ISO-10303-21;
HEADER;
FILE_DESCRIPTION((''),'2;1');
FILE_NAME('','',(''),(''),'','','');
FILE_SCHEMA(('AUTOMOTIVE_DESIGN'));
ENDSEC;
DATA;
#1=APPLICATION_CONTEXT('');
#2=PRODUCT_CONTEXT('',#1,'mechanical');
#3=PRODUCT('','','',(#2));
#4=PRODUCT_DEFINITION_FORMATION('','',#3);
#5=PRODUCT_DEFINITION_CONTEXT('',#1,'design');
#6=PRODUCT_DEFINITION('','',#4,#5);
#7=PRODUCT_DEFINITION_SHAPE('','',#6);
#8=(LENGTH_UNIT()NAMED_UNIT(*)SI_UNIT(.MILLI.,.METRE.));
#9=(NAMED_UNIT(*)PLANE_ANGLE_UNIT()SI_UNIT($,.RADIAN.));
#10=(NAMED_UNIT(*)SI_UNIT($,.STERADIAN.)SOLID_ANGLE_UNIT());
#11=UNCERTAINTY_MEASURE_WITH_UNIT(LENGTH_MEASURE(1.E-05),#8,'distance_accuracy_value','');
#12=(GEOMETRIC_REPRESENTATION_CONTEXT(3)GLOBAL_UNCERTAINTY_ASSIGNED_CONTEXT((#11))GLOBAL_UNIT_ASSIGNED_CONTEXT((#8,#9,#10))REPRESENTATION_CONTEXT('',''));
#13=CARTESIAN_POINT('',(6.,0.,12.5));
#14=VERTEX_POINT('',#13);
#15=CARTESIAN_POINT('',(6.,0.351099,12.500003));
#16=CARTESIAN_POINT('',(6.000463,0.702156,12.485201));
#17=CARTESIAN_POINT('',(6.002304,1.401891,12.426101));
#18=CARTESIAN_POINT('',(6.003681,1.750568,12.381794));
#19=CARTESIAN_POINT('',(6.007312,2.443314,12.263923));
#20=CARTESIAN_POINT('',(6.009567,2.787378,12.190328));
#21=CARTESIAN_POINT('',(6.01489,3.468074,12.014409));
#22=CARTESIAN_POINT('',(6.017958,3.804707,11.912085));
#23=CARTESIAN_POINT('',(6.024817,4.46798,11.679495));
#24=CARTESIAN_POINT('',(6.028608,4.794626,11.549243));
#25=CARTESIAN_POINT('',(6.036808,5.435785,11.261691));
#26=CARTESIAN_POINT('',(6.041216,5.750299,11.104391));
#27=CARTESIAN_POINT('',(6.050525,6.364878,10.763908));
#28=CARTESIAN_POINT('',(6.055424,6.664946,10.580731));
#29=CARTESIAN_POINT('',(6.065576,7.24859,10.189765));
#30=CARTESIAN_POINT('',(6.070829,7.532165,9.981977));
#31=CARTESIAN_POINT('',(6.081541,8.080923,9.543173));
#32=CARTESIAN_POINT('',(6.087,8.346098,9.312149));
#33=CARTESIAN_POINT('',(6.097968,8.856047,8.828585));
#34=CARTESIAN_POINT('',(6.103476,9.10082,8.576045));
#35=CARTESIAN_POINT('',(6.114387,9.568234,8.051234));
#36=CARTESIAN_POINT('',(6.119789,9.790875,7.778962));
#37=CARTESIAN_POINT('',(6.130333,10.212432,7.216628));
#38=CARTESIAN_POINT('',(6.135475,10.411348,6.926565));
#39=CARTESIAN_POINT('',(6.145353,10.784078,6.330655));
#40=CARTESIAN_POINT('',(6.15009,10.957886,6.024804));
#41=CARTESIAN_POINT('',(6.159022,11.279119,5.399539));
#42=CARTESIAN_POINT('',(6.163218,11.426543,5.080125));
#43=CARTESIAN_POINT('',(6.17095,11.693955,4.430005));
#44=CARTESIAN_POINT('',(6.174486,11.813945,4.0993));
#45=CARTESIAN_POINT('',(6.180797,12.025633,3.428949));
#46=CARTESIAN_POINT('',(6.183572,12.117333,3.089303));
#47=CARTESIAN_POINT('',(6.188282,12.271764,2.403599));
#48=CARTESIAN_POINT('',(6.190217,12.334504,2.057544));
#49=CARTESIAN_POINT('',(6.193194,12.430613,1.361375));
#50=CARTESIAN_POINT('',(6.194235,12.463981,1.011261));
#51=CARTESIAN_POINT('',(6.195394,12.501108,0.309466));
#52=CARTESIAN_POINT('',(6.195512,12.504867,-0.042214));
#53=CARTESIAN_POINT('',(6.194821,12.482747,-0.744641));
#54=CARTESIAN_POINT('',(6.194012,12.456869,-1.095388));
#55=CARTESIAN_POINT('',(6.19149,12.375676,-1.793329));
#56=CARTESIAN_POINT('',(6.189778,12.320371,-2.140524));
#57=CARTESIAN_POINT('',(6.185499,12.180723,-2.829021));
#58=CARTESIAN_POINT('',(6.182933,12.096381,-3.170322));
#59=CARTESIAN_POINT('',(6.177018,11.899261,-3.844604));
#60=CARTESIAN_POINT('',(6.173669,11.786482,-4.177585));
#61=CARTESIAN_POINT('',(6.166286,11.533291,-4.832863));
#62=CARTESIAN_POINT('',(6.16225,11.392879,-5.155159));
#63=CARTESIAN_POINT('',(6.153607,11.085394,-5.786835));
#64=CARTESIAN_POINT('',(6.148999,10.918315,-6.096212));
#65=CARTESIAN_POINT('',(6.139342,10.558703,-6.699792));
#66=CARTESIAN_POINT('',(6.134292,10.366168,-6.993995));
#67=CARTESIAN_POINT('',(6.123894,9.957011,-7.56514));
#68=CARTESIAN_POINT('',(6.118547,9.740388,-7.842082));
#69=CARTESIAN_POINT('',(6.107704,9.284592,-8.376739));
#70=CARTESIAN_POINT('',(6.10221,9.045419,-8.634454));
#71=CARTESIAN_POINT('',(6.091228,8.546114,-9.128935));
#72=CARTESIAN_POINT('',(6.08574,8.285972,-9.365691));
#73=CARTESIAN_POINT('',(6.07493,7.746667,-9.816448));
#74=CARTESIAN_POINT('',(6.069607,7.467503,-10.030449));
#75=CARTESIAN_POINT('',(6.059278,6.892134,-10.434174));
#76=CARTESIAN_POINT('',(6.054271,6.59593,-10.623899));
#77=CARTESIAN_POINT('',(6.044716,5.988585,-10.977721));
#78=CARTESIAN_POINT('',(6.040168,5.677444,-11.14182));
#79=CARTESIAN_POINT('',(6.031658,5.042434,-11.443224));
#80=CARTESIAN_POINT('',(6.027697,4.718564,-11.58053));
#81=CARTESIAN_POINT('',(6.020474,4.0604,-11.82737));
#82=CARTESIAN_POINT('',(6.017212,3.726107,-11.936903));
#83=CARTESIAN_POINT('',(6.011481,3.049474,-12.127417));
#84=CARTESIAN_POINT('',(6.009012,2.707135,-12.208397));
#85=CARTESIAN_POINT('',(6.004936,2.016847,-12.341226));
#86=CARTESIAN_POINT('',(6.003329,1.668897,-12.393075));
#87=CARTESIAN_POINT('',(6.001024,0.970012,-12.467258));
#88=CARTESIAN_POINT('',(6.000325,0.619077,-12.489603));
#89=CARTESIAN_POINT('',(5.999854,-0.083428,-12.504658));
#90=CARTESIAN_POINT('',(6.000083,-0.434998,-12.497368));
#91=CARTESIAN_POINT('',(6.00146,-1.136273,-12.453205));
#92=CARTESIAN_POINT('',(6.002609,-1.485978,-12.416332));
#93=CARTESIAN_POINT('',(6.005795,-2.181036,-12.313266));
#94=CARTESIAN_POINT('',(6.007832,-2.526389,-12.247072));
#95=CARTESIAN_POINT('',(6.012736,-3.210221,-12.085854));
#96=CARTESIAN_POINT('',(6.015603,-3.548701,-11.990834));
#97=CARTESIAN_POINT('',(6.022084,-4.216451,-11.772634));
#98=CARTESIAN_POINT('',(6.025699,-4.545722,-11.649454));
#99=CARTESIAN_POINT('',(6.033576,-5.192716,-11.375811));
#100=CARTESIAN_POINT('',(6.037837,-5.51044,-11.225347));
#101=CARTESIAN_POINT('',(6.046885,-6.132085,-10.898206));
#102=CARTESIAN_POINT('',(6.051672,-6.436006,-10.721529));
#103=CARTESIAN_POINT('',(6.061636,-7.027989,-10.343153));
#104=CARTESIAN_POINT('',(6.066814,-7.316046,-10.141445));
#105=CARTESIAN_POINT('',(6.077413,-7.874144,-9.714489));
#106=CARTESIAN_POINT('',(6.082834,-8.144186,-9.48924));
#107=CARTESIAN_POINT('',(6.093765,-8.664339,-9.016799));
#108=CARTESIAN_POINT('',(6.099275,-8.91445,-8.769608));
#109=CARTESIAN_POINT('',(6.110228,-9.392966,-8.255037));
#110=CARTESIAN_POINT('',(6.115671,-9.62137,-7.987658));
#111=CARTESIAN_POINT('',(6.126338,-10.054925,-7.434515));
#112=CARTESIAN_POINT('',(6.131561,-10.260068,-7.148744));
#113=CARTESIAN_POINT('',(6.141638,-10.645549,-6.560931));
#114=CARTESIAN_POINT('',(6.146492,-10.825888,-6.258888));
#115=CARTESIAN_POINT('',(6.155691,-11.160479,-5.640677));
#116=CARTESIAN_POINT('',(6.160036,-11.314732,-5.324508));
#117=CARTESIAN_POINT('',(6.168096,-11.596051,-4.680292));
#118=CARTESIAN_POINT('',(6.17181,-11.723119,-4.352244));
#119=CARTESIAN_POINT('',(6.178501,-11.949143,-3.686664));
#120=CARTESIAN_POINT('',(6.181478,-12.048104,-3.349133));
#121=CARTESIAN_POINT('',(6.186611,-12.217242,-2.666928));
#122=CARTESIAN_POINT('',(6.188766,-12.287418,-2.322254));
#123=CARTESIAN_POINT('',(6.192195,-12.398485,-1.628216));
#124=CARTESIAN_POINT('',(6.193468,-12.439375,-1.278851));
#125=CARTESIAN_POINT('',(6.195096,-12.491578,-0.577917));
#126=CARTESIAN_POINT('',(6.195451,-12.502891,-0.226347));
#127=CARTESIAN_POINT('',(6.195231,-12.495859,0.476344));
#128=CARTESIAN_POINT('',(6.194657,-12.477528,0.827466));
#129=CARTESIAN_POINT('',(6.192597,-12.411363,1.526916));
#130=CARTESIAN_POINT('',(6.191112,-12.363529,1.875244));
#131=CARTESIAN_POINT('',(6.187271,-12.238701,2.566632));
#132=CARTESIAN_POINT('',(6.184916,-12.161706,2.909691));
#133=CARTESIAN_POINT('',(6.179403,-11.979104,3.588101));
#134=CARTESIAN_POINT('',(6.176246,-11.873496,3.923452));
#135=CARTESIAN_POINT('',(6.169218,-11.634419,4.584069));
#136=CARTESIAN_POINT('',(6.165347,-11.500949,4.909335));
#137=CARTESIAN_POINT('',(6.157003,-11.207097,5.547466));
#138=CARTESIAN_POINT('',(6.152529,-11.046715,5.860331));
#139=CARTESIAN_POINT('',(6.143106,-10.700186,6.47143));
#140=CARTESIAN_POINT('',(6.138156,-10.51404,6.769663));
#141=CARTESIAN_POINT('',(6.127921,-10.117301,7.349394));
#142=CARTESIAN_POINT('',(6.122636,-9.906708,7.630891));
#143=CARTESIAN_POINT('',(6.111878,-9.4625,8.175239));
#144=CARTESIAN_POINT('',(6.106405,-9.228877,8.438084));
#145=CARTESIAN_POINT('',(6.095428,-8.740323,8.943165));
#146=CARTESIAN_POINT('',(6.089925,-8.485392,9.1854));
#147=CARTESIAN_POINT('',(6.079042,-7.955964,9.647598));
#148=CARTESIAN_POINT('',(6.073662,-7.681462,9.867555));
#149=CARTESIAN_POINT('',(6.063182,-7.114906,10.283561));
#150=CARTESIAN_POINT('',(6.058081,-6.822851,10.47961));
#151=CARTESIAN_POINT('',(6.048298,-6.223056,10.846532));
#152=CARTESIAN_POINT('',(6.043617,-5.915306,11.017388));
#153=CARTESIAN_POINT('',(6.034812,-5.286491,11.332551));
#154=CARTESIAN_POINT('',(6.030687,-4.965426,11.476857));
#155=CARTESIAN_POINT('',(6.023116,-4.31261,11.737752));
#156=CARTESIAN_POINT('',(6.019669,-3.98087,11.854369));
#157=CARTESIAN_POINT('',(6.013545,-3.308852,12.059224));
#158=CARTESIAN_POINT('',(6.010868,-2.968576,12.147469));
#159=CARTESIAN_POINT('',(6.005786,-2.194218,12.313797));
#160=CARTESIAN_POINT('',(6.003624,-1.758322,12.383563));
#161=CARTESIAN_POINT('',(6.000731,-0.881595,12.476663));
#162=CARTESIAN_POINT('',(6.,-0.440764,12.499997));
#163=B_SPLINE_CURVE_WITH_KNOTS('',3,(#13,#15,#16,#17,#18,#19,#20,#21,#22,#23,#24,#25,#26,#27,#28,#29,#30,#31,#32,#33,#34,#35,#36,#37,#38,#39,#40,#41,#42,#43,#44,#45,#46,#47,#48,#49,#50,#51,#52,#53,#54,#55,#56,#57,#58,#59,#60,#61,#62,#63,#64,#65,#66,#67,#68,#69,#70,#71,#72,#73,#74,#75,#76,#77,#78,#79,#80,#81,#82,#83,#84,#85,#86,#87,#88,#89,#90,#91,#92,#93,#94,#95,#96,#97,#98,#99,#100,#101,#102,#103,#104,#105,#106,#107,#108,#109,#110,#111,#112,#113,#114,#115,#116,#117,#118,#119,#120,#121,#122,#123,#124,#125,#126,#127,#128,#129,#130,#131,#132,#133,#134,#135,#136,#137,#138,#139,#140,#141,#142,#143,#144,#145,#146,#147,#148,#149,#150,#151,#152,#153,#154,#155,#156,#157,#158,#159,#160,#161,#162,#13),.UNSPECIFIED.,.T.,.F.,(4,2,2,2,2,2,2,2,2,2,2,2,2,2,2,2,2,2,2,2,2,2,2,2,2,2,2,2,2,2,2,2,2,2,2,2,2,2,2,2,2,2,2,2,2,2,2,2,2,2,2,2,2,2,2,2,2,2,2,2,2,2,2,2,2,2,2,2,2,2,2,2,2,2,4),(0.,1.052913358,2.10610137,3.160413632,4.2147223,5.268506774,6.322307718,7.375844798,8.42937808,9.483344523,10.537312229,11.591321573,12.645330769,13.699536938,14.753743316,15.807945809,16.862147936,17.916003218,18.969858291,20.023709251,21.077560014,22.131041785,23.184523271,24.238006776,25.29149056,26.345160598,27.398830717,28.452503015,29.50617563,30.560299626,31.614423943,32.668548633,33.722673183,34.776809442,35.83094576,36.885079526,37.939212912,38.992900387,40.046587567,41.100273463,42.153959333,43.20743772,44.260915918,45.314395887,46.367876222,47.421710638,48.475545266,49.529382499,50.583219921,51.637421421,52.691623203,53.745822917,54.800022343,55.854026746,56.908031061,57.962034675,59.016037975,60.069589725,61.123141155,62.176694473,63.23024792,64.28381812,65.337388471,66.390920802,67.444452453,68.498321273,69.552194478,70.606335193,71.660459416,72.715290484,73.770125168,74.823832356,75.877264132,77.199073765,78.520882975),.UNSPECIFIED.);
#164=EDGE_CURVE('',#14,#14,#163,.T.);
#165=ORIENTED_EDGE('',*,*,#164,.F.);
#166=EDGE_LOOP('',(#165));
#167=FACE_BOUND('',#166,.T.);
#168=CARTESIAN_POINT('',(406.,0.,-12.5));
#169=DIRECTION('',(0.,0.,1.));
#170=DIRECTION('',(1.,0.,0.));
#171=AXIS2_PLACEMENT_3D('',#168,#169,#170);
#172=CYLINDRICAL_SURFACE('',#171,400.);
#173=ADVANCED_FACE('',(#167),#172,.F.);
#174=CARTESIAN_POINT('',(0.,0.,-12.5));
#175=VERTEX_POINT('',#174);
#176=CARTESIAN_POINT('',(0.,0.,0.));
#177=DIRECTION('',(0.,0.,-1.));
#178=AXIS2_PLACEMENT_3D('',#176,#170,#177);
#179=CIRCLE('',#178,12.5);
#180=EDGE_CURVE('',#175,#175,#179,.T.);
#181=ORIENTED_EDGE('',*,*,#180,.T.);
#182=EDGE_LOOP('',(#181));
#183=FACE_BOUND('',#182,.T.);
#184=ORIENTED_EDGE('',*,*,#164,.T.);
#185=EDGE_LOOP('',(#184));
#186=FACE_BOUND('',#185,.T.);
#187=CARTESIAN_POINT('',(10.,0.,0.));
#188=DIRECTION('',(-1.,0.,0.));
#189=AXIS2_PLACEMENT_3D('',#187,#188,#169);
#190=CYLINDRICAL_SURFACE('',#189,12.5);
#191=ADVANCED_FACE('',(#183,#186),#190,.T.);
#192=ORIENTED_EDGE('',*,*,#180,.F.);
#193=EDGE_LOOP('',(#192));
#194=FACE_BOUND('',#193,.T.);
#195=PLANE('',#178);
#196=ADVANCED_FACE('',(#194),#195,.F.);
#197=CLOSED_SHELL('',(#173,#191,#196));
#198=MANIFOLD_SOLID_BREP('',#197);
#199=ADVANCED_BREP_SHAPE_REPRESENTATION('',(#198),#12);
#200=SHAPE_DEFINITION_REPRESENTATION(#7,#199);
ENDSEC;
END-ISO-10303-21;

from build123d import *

# Parameters (mm, degrees)
SKETCH_1_R               = 12.5
EXTRUDE_1_DEPTH          = 10
SKETCH_2_R               = 400
CUT_EXTRUDE_1_DEPTH      = 13.5
CUT_EXTRUDE_1_DEPTH_BACK = 13.5


with BuildPart() as part:
    # 草图1 → 凸台-拉伸1 (new body)
    with BuildSketch(Plane(origin=(0, 0, 0), x_dir=(0, 0, -1), z_dir=(1, 0, 0))):
        Circle(SKETCH_1_R)
    extrude(amount=EXTRUDE_1_DEPTH)

    # 草图2 → 切除-拉伸1 (cut, two sides)
    with BuildSketch(Plane.XY) as cut_extrude_1_sk:
        with Locations((406, 0)):
            Circle(SKETCH_2_R)
    extrude(amount=CUT_EXTRUDE_1_DEPTH, mode=Mode.SUBTRACT)
    extrude(cut_extrude_1_sk.sketch, amount=-CUT_EXTRUDE_1_DEPTH_BACK, mode=Mode.SUBTRACT)


solid = part.part
